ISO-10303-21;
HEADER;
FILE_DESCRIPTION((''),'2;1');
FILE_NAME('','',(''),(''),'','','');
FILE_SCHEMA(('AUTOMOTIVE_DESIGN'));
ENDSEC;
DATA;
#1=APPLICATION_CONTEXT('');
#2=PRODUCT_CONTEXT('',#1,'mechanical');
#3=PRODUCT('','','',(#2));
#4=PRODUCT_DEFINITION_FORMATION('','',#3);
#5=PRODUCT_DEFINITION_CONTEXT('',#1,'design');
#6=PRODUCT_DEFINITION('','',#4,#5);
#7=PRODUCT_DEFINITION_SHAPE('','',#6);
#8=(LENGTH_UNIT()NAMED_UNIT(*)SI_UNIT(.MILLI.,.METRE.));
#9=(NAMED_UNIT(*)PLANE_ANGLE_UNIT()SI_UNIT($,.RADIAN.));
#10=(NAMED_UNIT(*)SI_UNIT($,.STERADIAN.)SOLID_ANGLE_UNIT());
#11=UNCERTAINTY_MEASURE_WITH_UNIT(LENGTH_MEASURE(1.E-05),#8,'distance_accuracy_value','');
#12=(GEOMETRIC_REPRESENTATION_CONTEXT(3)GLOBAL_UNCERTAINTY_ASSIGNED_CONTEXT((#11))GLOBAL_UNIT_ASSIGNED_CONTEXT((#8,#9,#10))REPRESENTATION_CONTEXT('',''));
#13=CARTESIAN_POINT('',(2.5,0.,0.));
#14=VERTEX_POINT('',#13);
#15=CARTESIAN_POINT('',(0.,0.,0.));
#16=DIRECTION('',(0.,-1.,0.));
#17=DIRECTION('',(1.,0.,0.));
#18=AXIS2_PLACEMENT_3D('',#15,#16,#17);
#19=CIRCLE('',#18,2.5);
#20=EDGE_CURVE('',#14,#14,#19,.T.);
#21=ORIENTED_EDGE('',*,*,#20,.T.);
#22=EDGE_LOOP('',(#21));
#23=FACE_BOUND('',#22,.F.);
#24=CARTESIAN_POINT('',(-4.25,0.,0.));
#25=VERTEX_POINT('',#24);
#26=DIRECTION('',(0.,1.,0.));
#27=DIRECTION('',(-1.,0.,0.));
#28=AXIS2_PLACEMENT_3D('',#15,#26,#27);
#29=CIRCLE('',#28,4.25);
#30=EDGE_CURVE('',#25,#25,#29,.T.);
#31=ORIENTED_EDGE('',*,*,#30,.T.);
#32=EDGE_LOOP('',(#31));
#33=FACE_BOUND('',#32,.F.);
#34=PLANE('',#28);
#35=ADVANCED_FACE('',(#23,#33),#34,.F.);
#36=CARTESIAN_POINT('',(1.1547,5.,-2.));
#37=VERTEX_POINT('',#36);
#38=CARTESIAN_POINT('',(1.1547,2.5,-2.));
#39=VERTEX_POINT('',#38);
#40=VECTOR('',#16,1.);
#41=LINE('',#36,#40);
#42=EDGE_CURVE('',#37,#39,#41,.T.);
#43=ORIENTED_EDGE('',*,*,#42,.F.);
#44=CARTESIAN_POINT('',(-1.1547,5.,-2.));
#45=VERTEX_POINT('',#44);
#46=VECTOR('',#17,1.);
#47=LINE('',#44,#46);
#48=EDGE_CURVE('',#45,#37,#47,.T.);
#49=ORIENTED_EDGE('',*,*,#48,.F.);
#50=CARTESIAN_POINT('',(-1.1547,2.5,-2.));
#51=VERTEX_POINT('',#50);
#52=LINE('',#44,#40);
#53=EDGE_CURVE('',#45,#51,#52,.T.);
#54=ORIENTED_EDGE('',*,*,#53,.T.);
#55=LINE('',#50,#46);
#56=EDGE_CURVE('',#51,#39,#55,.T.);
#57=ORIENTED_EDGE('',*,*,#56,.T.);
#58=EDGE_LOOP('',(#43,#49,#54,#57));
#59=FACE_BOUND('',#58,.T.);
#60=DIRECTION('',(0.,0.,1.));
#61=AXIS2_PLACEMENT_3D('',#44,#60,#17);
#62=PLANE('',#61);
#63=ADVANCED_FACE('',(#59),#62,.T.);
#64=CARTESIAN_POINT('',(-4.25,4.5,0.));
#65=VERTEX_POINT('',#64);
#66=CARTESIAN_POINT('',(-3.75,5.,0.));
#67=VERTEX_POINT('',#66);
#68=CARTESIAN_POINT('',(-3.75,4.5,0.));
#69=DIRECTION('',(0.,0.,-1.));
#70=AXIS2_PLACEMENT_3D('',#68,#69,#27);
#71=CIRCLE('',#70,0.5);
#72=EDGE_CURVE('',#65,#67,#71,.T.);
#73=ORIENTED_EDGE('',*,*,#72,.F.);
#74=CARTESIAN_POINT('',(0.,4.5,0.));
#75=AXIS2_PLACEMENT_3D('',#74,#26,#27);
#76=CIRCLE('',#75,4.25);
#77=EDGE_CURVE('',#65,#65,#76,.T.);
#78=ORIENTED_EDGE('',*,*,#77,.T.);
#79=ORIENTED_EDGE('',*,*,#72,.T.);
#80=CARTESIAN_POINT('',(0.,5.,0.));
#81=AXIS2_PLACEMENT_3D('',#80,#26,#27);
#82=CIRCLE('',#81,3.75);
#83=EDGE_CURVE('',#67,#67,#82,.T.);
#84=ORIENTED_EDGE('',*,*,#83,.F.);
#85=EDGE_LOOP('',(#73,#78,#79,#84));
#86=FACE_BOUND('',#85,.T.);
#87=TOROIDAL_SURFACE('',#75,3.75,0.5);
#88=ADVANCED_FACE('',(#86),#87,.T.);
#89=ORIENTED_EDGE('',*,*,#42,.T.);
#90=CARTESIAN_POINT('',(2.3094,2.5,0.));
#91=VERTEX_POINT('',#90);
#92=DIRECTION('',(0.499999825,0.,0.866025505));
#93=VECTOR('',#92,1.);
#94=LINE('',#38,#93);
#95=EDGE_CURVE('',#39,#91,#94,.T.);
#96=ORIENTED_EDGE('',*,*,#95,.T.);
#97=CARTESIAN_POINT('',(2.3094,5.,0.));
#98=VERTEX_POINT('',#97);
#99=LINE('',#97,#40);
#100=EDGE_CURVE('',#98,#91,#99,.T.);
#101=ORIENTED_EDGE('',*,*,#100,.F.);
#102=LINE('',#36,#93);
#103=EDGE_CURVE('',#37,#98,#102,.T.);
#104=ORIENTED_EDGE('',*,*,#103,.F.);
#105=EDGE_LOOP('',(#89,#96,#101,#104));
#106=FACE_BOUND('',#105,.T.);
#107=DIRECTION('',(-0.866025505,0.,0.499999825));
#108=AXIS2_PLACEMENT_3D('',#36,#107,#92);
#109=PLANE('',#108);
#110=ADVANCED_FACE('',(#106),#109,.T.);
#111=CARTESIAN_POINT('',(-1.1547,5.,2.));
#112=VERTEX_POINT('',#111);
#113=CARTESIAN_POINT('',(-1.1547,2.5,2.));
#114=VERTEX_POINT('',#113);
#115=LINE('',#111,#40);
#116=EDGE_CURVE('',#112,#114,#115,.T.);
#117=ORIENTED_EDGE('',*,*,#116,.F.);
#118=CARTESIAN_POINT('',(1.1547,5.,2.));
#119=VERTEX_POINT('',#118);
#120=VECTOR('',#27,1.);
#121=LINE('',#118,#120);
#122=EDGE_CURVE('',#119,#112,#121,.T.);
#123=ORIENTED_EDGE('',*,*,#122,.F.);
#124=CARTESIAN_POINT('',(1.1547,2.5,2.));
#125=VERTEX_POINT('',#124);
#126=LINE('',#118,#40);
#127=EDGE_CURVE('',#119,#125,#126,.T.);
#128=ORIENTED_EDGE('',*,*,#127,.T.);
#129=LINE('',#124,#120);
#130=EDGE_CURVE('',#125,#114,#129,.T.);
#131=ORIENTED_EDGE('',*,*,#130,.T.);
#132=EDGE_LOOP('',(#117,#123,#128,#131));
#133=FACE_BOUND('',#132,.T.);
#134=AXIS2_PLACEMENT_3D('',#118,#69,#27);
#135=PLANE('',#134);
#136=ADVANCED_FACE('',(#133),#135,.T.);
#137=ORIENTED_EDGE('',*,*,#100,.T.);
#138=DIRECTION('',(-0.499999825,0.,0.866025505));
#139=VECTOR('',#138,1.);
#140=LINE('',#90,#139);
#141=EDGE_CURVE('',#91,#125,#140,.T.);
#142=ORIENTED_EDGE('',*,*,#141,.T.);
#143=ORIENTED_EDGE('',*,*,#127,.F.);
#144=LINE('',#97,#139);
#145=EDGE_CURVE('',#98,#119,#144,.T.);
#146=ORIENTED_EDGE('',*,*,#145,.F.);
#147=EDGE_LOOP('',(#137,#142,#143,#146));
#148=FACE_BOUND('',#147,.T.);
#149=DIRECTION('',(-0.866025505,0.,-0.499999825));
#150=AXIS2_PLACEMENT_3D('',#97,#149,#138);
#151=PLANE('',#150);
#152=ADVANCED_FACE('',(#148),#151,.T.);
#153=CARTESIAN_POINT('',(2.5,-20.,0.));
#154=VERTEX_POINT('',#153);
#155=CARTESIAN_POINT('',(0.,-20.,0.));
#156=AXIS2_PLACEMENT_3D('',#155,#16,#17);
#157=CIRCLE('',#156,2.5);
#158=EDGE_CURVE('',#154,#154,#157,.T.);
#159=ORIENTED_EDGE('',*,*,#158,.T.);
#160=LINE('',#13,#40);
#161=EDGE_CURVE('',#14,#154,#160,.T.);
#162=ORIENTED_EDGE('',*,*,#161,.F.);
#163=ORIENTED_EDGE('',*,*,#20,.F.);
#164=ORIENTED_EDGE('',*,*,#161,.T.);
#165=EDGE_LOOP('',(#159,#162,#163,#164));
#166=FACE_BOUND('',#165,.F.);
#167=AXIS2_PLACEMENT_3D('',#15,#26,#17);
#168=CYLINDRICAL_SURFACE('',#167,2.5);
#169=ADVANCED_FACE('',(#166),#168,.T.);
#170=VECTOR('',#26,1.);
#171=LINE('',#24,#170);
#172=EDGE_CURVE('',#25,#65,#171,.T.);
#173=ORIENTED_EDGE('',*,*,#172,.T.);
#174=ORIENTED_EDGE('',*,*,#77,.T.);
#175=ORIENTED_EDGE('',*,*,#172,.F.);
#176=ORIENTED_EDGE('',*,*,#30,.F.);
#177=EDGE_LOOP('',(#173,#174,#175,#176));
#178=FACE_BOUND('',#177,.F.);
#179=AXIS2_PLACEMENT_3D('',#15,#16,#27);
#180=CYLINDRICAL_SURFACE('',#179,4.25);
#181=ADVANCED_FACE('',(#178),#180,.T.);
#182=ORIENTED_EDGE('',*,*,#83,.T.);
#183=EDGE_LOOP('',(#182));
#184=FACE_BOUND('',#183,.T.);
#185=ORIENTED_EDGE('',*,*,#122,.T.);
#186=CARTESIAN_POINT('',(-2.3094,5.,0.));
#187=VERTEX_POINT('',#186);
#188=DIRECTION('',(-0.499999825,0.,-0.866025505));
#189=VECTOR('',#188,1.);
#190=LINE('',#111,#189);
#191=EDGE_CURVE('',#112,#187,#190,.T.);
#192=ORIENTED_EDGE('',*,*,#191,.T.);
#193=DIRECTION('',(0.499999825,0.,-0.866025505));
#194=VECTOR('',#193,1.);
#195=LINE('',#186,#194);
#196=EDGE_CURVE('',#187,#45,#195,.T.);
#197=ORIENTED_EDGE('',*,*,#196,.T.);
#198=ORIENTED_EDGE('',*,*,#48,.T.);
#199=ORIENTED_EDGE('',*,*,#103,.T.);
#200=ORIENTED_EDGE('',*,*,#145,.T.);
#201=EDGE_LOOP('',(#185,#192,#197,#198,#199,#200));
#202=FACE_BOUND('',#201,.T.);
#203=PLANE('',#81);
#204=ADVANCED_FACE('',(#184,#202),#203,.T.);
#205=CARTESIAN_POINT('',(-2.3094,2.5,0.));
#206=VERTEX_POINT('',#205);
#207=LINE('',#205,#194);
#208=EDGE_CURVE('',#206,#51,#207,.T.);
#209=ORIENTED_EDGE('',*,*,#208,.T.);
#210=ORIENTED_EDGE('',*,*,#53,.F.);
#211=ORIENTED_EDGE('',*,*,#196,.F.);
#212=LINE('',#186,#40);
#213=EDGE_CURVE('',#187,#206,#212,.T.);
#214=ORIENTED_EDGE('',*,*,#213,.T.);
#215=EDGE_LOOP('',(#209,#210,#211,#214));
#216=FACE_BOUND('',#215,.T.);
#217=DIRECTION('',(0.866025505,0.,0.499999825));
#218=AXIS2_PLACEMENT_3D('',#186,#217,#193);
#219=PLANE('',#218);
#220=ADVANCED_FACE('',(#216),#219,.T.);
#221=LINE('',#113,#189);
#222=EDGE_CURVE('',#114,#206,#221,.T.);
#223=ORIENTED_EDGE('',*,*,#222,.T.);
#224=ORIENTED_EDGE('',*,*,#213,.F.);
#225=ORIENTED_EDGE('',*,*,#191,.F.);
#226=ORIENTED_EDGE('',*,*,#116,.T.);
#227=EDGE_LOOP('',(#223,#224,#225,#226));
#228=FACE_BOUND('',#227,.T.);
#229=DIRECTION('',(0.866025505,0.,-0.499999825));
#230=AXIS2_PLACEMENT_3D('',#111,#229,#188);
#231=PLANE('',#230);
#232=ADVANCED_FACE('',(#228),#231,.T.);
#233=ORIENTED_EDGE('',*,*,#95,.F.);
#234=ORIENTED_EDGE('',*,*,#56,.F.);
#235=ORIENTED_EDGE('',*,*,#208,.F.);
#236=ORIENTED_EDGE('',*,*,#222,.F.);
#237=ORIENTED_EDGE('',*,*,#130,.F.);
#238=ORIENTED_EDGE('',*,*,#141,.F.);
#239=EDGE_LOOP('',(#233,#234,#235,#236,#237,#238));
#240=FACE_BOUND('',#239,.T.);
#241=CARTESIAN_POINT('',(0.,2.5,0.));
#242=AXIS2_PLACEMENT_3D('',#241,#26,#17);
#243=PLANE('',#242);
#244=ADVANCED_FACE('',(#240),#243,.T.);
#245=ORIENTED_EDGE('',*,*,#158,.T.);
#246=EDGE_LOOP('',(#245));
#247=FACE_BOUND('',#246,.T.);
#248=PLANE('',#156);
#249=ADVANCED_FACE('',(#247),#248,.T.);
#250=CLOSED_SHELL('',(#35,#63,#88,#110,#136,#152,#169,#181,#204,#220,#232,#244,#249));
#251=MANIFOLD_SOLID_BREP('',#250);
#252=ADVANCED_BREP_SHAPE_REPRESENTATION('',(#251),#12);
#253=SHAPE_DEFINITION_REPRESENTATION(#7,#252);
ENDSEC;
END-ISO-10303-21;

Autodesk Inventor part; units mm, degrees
ref_plane "YZ Plane" through (0, 0, 0) normal (1, 0, 0) x (0, 1, 0)
ref_plane "XZ Plane" through (0, 0, 0) normal (0, 1, 0) x (-1, 0, 0)
ref_plane "XY Plane" through (0, 0, 0) normal (0, 0, 1) x (1, 0, 0)
sketch "Cap Cross Section" plane through (0, 0, 0) normal (0, 1, 0) x (-1, 0, 0)
  circle A0 centre (0, 0) radius 4.25
  dimension "d0" = 8.5
extrude "Cap" add sketch "Cap Cross Section" along normal blind 5
sketch "Key Socket Cutout Outline" plane through (0, 5, 0) normal (0, 1, 0) x (1, 0, 0)
  line L0 (1.1547, 2) -> (2.3094, 0)
  line L1 (2.3094, 0) -> (1.1547, -2)
  line L2 (1.1547, -2) -> (-1.1547, -2)
  line L3 (-1.1547, -2) -> (-2.3094, 0)
  line L4 (-2.3094, 0) -> (-1.1547, 2)
  line L5 (-1.1547, 2) -> (1.1547, 2)
  point P0 (0, 0)
  point P1 (0, 0)
  dimension "d3" = 4
extrude "Key Socket Cutout" cut sketch "Key Socket Cutout Outline" against normal blind 2.5
sketch "Body Cross Section" plane through (0, 0, 0) normal (0, -1, 0) x (1, 0, 0)
  circle A0 centre (0, 0) radius 2.5
  dimension "d6" = 5
extrude "Body" add sketch "Body Cross Section" along normal blind 20
thread "Thread" size "M5x0.8" class "6g" standard "ANSI Metric M Profile" full length
fillet "Cap Fillet" radius 0.5 1 edges at (4.25, 5, 0)
properties part number "SSCF-M5-20-A4" material "Stainless Steel AISI 317"
